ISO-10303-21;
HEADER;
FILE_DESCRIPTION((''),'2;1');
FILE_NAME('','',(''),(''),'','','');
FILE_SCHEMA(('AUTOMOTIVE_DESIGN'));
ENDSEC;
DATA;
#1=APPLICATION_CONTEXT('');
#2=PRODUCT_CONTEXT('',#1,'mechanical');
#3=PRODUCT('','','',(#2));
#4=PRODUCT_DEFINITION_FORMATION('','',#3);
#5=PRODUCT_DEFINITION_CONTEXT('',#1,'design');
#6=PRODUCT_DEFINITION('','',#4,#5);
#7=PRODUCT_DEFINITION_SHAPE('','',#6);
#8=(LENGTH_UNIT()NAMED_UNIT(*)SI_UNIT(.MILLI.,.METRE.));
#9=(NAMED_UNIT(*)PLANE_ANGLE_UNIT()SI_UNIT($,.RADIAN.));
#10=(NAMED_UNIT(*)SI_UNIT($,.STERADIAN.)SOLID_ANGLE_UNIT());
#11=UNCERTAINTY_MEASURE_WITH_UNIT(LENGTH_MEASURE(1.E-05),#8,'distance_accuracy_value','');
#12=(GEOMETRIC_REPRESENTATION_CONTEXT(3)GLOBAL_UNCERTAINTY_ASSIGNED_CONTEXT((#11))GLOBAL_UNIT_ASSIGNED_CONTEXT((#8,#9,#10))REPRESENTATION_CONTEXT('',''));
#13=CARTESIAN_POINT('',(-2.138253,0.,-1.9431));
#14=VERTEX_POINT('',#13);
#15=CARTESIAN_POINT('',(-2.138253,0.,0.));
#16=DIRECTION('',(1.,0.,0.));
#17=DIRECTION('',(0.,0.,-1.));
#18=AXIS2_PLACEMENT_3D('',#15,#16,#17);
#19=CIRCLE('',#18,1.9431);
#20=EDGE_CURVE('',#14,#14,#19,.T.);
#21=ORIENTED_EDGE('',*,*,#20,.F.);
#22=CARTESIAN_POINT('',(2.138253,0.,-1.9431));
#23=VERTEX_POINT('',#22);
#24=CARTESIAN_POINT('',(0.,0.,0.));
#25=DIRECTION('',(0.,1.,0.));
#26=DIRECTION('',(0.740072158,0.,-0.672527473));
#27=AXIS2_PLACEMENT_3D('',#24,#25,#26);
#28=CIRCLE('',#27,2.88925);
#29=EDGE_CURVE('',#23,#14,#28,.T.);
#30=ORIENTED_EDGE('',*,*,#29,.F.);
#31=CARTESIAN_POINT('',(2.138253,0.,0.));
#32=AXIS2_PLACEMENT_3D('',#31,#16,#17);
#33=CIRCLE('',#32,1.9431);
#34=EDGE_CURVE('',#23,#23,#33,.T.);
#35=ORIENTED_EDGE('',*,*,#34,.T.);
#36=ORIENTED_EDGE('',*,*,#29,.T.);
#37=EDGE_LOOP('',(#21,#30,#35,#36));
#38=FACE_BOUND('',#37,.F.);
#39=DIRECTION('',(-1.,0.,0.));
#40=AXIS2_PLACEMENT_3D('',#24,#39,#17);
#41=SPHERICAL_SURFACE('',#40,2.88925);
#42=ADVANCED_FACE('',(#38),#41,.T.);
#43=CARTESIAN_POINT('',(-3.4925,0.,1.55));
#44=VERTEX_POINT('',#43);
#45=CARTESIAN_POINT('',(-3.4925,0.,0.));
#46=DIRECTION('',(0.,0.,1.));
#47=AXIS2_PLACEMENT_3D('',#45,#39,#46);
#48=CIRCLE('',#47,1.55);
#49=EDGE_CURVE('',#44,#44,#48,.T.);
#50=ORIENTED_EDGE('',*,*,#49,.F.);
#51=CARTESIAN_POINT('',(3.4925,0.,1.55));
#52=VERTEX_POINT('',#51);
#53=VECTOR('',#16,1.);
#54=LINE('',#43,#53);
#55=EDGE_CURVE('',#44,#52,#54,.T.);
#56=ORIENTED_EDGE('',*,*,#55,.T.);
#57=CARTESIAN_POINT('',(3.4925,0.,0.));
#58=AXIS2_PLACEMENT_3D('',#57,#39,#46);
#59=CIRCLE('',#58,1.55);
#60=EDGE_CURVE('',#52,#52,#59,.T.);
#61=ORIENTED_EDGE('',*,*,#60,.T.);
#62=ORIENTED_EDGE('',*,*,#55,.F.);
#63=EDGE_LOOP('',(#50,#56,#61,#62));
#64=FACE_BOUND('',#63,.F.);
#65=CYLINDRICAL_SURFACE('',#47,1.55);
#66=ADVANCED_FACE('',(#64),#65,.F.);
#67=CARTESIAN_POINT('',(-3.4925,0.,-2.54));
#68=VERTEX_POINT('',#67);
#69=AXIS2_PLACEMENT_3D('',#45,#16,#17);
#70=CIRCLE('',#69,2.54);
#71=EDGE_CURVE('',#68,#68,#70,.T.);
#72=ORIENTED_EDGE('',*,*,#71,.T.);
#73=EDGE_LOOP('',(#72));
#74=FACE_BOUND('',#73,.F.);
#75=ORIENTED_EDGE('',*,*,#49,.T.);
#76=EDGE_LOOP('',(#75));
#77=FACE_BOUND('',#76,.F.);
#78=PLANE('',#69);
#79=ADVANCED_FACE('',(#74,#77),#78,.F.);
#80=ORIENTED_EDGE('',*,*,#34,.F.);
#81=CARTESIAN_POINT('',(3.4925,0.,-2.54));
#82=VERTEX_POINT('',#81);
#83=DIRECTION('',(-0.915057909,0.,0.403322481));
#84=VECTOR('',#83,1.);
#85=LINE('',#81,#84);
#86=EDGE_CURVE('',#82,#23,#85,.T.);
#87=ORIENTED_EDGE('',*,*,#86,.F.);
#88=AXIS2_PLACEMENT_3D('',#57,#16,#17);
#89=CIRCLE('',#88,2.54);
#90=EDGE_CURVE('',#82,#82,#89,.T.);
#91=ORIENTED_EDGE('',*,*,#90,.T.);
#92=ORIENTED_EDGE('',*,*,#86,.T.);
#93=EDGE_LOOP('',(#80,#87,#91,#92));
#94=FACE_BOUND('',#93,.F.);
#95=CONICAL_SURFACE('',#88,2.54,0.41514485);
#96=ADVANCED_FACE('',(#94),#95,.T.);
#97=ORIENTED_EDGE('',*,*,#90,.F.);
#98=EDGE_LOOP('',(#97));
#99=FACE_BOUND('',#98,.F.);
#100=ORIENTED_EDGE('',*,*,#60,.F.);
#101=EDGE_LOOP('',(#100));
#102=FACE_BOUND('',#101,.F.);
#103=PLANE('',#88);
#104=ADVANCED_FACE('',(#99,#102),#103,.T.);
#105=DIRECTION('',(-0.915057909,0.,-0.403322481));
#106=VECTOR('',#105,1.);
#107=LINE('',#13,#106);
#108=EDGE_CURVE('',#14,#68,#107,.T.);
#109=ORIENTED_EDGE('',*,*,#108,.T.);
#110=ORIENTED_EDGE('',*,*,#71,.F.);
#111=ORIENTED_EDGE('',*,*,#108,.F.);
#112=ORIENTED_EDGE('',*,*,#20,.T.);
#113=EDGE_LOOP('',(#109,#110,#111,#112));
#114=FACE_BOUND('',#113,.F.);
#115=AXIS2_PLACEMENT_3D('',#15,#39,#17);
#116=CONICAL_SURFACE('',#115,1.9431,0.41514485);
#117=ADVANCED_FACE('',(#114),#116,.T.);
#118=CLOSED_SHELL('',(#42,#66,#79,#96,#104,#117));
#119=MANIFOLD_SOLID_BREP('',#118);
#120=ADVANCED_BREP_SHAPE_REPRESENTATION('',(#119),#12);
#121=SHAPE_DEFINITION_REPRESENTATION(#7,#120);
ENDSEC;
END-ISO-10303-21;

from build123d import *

# Parameters (mm, degrees)
SKETCH2_R          = 1.55
CUT_EXTRUDE1_DEPTH = 10


with BuildPart() as part:
    # Sketch1 → Revolve1 (revolve)
    with BuildSketch(Plane(origin=(0, 0, 0), x_dir=(1, 0, 0), z_dir=(0, 1, 0))):
        with BuildLine():
            Line((3.4925, 0), (3.4925, 2.54))
            Line((3.4925, 2.54), (2.138253482, 1.9431))
            ThreePointArc((2.138253482, 1.9431), (0, 2.88925), (-2.138253482, 1.9431))
            Line((-2.138253482, 1.9431), (-3.4925, 2.54))
            Line((-3.4925, 2.54), (-3.4925, 0))
            Line((-3.4925, 0), (3.4925, 0))
        make_face()
    revolve(axis=Axis((-3.4925, 0, 0), (1, 0, 0)))

    # Sketch2 → Cut-Extrude1 (cut)
    with BuildSketch(Plane.ZY.offset(3.4925)):
        Circle(SKETCH2_R)
    extrude(amount=-CUT_EXTRUDE1_DEPTH, mode=Mode.SUBTRACT)


solid = part.part
